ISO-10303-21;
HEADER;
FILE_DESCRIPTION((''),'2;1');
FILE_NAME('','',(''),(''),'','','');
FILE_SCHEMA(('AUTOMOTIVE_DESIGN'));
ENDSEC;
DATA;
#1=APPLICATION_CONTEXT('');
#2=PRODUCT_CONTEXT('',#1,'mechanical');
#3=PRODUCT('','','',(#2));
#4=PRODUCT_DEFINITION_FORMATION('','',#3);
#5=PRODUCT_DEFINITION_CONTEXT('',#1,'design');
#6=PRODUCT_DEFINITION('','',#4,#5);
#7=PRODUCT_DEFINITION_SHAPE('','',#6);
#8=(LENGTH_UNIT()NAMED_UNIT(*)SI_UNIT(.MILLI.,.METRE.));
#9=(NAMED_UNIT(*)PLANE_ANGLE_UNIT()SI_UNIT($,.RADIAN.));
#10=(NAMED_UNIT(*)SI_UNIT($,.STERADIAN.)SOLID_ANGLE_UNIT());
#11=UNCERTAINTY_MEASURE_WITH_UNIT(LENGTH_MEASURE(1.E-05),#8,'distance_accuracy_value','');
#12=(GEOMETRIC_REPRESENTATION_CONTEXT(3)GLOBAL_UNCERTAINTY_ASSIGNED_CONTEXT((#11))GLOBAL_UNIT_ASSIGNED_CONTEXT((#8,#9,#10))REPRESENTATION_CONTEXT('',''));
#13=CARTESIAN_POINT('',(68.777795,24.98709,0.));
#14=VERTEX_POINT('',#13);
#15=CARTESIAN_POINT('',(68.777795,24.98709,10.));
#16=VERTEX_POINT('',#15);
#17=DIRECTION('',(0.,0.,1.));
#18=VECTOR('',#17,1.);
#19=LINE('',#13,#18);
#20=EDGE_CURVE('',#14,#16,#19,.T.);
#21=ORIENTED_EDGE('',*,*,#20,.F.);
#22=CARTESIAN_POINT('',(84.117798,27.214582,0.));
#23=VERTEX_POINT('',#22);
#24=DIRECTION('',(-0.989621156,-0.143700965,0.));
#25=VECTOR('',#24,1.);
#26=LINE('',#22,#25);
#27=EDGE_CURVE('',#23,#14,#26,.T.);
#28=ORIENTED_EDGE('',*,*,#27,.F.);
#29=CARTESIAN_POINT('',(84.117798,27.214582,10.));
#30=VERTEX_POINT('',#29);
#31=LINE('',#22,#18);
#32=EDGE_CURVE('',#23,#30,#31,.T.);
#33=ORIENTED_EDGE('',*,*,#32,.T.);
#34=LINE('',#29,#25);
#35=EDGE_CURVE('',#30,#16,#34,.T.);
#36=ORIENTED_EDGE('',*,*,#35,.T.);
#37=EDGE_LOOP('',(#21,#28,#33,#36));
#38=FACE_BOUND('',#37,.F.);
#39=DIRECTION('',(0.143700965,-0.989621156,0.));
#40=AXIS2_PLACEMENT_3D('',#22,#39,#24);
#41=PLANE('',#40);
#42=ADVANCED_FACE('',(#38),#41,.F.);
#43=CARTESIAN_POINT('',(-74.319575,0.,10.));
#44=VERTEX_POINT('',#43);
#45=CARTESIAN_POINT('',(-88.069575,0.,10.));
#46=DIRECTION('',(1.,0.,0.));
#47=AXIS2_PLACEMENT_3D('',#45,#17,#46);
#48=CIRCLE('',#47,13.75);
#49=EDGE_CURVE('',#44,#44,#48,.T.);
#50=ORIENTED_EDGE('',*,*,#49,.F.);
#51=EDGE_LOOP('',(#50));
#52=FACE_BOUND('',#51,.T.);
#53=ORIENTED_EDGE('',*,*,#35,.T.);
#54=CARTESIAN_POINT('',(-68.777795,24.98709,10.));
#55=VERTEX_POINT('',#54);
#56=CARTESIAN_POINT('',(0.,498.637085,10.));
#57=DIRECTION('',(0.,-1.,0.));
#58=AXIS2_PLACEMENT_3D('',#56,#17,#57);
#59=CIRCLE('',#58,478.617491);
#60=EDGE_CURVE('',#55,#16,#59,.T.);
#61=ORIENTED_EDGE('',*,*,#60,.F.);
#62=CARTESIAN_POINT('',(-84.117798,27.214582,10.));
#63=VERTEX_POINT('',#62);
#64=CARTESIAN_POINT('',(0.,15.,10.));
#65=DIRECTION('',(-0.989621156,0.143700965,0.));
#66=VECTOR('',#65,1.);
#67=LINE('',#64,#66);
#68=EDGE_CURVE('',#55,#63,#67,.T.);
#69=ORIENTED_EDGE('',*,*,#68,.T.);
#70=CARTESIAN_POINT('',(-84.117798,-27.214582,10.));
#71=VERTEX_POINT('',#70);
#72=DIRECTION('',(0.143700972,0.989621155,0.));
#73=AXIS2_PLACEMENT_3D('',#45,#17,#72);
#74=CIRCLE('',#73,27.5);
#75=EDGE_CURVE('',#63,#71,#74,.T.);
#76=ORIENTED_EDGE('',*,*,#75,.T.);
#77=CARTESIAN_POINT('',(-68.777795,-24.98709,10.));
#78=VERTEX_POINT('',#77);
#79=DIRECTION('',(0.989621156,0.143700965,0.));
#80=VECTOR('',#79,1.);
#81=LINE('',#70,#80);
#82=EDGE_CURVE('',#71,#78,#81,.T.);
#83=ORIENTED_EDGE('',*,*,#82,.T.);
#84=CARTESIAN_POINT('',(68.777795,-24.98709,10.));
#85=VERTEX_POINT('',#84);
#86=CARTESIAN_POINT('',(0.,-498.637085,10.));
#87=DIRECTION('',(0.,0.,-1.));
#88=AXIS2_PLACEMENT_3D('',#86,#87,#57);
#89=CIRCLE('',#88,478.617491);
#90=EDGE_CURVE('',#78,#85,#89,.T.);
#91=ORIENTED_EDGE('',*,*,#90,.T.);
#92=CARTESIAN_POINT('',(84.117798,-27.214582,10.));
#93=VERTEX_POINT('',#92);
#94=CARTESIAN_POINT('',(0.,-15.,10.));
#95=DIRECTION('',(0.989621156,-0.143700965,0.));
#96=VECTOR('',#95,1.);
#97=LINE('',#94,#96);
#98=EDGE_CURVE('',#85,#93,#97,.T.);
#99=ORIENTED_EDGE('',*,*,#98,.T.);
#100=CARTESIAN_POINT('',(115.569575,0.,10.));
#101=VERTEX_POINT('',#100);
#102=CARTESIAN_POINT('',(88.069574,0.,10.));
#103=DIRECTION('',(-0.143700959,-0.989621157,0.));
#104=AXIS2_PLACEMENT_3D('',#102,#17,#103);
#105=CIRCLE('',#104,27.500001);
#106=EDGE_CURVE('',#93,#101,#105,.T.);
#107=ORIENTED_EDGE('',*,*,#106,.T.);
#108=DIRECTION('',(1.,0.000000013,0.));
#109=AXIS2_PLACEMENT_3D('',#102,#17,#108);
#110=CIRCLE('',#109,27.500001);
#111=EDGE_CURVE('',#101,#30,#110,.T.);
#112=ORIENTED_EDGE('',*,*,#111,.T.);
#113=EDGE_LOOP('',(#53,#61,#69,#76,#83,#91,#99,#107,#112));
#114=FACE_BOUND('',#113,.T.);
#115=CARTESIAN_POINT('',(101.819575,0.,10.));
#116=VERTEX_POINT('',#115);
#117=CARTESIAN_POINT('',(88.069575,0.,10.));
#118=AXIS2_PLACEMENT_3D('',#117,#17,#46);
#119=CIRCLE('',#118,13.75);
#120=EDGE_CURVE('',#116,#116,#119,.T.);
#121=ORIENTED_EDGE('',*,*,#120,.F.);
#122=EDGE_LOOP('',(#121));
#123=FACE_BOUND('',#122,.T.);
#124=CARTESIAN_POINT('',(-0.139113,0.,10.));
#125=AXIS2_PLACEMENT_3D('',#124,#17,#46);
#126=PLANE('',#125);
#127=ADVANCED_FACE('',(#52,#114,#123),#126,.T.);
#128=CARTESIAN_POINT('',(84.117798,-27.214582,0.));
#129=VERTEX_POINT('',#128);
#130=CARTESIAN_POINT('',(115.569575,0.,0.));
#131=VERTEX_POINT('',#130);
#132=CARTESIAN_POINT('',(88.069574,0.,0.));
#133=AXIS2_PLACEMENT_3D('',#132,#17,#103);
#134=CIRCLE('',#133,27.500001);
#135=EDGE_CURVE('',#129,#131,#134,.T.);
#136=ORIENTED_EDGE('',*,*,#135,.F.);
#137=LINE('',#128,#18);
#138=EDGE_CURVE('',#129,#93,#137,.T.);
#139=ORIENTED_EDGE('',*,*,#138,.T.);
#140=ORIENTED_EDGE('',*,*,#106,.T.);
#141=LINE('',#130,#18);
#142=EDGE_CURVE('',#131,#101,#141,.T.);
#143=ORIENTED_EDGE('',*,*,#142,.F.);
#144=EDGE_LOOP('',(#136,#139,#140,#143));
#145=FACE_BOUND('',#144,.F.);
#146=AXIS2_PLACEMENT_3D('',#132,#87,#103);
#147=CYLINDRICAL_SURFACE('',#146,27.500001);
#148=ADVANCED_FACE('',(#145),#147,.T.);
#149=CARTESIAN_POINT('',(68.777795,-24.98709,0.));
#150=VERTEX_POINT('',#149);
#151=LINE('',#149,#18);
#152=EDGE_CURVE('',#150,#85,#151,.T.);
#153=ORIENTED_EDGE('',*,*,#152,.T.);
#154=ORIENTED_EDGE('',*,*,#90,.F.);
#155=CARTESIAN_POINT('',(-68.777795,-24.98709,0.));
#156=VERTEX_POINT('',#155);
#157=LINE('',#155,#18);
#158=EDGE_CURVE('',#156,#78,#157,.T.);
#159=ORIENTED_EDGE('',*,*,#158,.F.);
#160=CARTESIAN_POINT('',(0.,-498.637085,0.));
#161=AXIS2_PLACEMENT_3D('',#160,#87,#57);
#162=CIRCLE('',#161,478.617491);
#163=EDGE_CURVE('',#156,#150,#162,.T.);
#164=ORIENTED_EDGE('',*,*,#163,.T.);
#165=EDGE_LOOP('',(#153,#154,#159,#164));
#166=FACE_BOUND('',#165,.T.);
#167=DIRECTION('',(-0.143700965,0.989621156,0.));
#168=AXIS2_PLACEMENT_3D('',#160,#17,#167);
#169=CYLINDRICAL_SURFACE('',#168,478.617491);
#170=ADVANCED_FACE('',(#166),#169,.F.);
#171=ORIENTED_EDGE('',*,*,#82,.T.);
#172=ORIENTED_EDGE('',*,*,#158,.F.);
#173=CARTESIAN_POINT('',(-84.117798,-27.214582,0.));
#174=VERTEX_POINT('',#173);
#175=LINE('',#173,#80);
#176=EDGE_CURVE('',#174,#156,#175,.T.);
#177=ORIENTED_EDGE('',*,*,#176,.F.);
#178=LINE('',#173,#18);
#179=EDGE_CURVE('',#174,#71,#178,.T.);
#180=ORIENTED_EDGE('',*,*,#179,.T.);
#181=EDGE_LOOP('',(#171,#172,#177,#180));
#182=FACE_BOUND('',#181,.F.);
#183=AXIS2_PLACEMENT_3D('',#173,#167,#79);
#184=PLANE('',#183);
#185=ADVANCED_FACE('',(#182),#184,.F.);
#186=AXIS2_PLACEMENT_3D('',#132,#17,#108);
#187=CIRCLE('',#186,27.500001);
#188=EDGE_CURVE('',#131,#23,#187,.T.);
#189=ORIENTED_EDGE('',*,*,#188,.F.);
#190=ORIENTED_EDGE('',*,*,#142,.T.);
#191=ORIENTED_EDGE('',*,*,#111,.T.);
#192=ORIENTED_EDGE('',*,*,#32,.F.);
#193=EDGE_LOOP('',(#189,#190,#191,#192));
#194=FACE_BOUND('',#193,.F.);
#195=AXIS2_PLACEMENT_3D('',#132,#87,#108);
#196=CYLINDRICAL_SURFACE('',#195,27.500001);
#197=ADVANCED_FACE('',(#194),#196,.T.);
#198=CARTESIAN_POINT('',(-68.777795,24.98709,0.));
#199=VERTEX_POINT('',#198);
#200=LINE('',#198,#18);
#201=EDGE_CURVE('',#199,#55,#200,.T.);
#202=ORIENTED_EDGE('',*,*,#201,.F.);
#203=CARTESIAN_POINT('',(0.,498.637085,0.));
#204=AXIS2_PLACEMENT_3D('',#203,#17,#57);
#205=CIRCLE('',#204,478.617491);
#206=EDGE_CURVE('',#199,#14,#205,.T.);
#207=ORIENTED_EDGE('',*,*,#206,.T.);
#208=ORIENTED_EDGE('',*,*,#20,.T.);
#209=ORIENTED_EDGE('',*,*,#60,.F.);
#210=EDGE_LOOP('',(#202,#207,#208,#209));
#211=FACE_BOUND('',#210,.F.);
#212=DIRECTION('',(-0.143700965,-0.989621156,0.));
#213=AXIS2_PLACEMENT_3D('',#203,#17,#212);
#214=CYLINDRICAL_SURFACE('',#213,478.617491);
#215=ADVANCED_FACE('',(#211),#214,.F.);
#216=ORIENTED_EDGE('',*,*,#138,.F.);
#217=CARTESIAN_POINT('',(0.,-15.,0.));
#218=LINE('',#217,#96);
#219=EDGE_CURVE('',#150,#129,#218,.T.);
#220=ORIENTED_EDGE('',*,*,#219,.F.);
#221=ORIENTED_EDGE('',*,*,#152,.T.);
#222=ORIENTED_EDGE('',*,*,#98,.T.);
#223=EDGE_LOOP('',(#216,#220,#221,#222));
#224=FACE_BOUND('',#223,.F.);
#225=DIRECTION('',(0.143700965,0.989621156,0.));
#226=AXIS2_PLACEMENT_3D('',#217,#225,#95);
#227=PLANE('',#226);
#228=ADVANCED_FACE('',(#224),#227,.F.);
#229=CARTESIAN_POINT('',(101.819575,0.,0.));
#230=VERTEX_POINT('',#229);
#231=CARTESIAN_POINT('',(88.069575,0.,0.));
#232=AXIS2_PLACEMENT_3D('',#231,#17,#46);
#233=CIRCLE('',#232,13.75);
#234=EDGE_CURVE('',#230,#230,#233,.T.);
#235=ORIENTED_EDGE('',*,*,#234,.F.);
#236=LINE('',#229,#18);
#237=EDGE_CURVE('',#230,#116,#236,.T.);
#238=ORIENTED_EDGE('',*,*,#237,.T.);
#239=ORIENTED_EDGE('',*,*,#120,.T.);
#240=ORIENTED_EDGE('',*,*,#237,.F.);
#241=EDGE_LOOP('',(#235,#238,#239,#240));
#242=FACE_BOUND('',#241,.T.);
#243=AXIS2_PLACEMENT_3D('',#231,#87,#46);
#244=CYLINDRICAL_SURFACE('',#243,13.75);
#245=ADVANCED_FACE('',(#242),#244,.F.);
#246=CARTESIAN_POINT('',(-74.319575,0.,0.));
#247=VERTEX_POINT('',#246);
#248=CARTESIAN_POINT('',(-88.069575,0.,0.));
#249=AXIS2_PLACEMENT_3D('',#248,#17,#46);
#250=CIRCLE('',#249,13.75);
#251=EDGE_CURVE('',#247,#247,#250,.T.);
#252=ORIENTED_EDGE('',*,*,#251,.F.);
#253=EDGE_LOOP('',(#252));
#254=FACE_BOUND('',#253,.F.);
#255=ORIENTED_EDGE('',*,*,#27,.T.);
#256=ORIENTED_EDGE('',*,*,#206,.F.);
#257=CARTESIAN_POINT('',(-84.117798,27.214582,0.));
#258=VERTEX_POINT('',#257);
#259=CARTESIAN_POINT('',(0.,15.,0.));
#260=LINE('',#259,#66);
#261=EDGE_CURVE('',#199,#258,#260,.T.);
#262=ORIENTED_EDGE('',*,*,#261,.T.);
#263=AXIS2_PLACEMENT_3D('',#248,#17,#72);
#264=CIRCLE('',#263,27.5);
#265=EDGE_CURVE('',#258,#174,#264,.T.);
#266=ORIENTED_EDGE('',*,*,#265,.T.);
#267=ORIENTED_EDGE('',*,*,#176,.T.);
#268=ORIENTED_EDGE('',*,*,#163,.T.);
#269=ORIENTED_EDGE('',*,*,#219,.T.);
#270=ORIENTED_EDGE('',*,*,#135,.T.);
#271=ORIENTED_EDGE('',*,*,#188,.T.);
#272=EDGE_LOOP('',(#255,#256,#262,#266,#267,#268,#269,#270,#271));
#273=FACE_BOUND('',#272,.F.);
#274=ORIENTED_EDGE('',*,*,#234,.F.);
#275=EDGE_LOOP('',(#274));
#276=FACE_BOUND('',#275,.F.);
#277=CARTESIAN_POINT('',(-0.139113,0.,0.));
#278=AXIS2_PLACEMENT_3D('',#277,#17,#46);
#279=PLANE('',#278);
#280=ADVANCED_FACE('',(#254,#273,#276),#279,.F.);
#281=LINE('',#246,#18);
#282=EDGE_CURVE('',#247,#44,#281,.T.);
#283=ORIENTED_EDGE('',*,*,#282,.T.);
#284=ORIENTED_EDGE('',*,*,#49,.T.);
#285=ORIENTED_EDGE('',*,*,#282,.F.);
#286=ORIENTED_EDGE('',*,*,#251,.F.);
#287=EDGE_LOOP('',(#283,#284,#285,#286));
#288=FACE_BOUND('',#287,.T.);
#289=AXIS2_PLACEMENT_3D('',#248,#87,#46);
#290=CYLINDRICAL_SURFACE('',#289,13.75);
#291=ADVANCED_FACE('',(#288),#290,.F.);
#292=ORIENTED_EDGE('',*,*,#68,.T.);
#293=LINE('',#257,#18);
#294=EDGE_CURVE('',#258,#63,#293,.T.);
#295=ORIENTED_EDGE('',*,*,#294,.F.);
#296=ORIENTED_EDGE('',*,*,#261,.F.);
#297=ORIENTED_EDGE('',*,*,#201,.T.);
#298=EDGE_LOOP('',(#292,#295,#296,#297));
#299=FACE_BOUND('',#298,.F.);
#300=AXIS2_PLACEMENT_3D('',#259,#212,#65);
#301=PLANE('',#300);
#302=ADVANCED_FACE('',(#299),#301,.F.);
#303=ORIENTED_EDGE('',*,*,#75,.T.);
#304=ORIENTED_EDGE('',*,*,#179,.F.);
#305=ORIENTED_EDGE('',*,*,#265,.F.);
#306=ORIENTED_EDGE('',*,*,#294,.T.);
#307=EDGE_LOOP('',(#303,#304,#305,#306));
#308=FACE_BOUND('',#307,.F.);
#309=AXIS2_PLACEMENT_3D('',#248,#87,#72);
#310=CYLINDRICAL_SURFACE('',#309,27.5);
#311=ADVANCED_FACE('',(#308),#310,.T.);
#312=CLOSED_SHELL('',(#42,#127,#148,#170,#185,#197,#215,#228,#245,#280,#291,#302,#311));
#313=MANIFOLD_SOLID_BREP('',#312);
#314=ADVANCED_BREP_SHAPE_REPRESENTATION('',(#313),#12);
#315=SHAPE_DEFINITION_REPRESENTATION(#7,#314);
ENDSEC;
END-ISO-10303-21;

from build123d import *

# Parameters (mm, degrees)
F0_R     = 13.75
F1_DEPTH = 10
F2_R     = 478.617491


with BuildPart() as f1:
    # F0 (on Top) → F1 (new body)
    with BuildSketch(Plane.XY):
        with BuildLine():
            ThreePointArc((-84.117798, 27.214582), (-67.273856, 17.994112), (-60.569575, 0))
            ThreePointArc((-60.569575, 0), (-67.273856, -17.994112), (-84.117798, -27.214582))
            Line((-84.117798, -27.214582), (0, -15))
            Line((0, -15), (84.117798, -27.214582))
            ThreePointArc((84.117798, -27.214582), (60.569575, 0), (84.117798, 27.214582))
            Line((84.117798, 27.214582), (0, 15))
            Line((0, 15), (-84.117798, 27.214582))
        make_face()
        with BuildLine():
            ThreePointArc((-84.117798, -27.214582), (-67.273856, -17.994112), (-60.569575, 0))
            ThreePointArc((-60.569575, 0), (-67.273856, 17.994112), (-84.117798, 27.214582))
            ThreePointArc((-84.117798, 27.214582), (-115.569575, 0), (-84.117798, -27.214582))
        make_face()
        with Locations((-88.069575, 0)):
            Circle(F0_R, mode=Mode.SUBTRACT)
        with BuildLine():
            ThreePointArc((115.569575, 0), (106.063687, 20.795719), (84.117798, 27.214582))
            ThreePointArc((84.117798, 27.214582), (60.569575, 0), (84.117798, -27.214582))
            ThreePointArc((84.117798, -27.214582), (106.063687, -20.795719), (115.569575, 0))
        make_face()
        with Locations((88.069575, 0)):
            Circle(F0_R, mode=Mode.SUBTRACT)
    extrude(amount=F1_DEPTH)

    # F2
    f2_edges = [f1.edges().sort_by_distance(p)[0] for p in [
        (0, -15, 5),
        (0, 15, 5),
    ]]
    fillet(f2_edges, radius=F2_R)


solid = f1.part
